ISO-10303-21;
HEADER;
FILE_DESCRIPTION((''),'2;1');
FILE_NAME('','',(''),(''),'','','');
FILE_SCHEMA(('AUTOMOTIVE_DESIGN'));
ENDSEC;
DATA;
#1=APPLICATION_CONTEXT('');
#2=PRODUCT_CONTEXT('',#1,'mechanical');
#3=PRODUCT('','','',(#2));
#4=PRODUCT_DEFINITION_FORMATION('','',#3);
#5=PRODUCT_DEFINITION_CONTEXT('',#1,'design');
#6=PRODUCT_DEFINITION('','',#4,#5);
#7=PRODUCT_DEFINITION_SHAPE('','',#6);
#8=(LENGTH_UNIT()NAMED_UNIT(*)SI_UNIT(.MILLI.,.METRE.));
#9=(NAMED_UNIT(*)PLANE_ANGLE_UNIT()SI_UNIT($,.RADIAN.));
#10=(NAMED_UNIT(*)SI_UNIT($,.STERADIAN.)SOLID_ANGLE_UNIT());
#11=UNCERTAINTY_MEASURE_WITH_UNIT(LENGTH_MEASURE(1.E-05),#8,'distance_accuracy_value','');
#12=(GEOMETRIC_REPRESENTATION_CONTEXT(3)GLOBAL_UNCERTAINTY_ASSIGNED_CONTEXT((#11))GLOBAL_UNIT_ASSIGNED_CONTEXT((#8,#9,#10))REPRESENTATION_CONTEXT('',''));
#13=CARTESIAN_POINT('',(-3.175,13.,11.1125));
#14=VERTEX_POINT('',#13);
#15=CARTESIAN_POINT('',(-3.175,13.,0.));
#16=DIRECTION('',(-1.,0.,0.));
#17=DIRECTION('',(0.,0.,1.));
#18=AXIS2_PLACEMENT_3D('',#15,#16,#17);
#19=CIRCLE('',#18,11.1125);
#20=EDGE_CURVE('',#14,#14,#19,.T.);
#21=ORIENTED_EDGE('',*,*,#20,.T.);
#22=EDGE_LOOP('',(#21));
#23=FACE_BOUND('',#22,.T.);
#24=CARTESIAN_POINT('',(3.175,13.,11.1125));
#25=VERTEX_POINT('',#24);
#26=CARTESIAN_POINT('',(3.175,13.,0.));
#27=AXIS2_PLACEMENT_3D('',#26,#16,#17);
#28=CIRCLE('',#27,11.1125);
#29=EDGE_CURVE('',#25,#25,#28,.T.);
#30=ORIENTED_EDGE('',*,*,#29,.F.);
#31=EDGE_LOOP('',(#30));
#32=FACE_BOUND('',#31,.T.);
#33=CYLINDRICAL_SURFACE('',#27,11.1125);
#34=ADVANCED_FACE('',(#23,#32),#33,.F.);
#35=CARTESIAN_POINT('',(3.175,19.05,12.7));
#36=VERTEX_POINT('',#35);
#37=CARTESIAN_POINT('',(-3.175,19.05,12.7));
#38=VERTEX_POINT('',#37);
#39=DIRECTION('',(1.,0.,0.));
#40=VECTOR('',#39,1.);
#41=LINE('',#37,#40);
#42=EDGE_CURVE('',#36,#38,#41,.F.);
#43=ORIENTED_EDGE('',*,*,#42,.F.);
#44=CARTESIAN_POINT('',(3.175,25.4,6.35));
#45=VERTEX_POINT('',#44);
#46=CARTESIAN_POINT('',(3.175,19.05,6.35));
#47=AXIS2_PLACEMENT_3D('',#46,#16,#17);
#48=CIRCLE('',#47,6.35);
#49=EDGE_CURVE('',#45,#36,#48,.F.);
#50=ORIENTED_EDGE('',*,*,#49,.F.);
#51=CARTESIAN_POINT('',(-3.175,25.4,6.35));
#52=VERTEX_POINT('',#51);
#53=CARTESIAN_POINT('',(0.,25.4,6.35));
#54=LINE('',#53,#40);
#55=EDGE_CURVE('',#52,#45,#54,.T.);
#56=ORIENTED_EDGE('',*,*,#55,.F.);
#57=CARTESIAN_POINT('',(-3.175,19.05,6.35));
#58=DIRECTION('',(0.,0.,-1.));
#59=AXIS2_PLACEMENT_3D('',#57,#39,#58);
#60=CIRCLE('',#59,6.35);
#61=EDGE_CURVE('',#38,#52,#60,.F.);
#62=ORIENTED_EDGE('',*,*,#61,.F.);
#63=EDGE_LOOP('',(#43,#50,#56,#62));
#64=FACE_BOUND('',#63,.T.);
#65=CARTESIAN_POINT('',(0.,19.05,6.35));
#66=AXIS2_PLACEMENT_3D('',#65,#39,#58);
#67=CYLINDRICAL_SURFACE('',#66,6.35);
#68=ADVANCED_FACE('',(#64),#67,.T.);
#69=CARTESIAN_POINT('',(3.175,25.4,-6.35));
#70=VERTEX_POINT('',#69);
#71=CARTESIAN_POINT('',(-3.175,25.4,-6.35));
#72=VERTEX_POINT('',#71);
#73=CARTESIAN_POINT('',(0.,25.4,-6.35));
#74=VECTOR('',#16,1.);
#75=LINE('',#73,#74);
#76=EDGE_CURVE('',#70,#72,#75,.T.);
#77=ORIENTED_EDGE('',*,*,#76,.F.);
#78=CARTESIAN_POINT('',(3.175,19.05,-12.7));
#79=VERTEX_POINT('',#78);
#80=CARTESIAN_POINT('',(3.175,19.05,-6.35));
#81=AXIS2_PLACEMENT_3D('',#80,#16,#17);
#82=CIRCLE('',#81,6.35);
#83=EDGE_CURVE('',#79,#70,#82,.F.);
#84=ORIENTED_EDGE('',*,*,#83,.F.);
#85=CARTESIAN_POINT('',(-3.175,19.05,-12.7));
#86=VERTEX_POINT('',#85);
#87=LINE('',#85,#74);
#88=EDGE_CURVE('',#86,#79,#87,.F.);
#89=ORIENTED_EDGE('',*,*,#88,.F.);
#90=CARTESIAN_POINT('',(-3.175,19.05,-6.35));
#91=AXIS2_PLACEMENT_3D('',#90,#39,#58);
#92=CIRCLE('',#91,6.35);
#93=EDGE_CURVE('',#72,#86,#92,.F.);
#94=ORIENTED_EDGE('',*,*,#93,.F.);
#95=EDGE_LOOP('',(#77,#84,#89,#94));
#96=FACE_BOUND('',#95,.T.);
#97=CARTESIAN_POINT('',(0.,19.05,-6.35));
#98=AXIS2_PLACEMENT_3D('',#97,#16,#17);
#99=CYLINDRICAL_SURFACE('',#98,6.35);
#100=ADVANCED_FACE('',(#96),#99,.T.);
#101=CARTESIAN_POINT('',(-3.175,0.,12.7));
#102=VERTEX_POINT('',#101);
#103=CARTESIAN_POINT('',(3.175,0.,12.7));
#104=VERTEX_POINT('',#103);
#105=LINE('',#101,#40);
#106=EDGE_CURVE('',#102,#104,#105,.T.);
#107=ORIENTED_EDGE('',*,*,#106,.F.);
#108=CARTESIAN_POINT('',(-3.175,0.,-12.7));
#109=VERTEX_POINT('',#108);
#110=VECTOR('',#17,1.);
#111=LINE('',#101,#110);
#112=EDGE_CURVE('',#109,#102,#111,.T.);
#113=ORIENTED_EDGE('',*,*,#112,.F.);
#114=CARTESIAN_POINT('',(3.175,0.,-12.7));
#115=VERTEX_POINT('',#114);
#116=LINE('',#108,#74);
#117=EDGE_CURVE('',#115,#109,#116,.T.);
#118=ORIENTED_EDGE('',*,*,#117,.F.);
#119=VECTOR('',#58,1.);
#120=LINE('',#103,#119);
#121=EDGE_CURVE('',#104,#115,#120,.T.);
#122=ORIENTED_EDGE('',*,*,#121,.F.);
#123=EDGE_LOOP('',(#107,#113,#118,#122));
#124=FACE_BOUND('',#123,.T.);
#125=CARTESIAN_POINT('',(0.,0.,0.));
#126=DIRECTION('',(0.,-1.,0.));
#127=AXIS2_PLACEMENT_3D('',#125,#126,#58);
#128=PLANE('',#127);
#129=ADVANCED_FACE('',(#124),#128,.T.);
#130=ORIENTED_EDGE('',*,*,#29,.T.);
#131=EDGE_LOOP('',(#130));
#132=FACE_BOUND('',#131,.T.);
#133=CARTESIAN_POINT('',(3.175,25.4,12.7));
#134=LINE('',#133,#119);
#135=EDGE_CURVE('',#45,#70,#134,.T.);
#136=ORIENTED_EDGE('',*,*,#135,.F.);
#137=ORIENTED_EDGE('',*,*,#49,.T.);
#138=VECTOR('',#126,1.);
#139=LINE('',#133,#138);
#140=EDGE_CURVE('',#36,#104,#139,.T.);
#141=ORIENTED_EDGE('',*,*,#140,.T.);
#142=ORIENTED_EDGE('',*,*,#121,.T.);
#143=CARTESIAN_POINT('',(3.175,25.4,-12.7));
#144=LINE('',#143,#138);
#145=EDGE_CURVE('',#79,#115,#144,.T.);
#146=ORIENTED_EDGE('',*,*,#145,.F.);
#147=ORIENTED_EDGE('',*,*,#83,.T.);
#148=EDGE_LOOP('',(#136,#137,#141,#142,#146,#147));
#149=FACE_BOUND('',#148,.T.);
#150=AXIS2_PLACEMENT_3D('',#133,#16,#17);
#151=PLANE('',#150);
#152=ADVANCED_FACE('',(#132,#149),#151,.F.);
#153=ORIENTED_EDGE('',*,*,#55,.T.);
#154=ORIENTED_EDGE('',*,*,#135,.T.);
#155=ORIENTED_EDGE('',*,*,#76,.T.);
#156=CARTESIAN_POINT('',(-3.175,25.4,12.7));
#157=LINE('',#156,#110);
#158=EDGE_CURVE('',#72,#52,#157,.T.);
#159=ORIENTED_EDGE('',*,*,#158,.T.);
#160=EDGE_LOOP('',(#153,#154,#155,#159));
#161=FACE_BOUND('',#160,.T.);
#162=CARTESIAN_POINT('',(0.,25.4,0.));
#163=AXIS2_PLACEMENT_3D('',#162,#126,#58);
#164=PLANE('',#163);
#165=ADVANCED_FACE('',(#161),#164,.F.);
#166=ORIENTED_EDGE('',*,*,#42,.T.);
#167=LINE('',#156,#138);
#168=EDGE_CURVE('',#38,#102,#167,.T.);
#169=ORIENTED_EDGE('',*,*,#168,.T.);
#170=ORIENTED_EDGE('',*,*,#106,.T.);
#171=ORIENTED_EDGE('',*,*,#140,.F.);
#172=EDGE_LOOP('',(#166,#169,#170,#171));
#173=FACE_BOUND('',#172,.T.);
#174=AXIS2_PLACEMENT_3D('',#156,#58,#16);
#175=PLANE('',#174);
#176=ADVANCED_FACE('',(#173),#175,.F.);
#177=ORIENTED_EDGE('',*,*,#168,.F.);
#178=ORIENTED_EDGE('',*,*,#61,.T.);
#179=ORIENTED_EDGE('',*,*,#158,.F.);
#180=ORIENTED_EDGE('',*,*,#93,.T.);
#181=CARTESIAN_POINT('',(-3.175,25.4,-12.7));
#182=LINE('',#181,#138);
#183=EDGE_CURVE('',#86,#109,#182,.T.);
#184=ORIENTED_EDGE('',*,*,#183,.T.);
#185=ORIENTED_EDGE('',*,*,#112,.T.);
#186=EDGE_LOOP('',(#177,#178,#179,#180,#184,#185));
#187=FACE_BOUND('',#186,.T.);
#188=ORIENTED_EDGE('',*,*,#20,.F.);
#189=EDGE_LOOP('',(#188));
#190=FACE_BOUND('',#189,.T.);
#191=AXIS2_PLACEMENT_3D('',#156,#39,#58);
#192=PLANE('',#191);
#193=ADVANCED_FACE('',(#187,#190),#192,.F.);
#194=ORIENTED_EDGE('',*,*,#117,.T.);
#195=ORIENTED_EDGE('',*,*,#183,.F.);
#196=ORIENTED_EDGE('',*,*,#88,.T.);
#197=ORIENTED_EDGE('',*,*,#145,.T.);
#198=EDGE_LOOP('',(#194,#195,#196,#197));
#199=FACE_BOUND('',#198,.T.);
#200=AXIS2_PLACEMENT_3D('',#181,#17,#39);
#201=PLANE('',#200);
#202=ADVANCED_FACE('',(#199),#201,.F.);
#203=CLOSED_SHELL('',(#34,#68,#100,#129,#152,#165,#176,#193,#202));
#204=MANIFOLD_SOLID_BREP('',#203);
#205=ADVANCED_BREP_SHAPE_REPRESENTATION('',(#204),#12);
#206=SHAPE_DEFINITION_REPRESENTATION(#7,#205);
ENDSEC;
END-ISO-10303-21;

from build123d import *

# Parameters (mm, degrees)
SKETCH1_W           = 6.35
SKETCH1_H           = 25.4
BOSS_EXTRUDE1_DEPTH = 25.4
FILLET1_R           = 6.35
SKETCH2_R           = 11.1125
CUT_EXTRUDE1_DEPTH  = 7.35


with BuildPart() as part:
    # Sketch1 → Boss-Extrude1 (new body)
    with BuildSketch(Plane(origin=(0, 0, 0), x_dir=(1, 0, 0), z_dir=(0, 1, 0))):
        Rectangle(SKETCH1_W, SKETCH1_H)
    extrude(amount=BOSS_EXTRUDE1_DEPTH)

    # Fillet1
    fillet1_edges = [part.edges().sort_by_distance(p)[0] for p in [
        (0, 25.4, 12.7),
        (0, 25.4, -12.7),
    ]]
    fillet(fillet1_edges, radius=FILLET1_R)

    # Sketch2 → Cut-Extrude1 (cut, through all)
    with BuildSketch(Plane.ZY.offset(3.175)):
        with Locations((0, 13)):
            Circle(SKETCH2_R)
    extrude(amount=-CUT_EXTRUDE1_DEPTH, mode=Mode.SUBTRACT)


solid = part.part
